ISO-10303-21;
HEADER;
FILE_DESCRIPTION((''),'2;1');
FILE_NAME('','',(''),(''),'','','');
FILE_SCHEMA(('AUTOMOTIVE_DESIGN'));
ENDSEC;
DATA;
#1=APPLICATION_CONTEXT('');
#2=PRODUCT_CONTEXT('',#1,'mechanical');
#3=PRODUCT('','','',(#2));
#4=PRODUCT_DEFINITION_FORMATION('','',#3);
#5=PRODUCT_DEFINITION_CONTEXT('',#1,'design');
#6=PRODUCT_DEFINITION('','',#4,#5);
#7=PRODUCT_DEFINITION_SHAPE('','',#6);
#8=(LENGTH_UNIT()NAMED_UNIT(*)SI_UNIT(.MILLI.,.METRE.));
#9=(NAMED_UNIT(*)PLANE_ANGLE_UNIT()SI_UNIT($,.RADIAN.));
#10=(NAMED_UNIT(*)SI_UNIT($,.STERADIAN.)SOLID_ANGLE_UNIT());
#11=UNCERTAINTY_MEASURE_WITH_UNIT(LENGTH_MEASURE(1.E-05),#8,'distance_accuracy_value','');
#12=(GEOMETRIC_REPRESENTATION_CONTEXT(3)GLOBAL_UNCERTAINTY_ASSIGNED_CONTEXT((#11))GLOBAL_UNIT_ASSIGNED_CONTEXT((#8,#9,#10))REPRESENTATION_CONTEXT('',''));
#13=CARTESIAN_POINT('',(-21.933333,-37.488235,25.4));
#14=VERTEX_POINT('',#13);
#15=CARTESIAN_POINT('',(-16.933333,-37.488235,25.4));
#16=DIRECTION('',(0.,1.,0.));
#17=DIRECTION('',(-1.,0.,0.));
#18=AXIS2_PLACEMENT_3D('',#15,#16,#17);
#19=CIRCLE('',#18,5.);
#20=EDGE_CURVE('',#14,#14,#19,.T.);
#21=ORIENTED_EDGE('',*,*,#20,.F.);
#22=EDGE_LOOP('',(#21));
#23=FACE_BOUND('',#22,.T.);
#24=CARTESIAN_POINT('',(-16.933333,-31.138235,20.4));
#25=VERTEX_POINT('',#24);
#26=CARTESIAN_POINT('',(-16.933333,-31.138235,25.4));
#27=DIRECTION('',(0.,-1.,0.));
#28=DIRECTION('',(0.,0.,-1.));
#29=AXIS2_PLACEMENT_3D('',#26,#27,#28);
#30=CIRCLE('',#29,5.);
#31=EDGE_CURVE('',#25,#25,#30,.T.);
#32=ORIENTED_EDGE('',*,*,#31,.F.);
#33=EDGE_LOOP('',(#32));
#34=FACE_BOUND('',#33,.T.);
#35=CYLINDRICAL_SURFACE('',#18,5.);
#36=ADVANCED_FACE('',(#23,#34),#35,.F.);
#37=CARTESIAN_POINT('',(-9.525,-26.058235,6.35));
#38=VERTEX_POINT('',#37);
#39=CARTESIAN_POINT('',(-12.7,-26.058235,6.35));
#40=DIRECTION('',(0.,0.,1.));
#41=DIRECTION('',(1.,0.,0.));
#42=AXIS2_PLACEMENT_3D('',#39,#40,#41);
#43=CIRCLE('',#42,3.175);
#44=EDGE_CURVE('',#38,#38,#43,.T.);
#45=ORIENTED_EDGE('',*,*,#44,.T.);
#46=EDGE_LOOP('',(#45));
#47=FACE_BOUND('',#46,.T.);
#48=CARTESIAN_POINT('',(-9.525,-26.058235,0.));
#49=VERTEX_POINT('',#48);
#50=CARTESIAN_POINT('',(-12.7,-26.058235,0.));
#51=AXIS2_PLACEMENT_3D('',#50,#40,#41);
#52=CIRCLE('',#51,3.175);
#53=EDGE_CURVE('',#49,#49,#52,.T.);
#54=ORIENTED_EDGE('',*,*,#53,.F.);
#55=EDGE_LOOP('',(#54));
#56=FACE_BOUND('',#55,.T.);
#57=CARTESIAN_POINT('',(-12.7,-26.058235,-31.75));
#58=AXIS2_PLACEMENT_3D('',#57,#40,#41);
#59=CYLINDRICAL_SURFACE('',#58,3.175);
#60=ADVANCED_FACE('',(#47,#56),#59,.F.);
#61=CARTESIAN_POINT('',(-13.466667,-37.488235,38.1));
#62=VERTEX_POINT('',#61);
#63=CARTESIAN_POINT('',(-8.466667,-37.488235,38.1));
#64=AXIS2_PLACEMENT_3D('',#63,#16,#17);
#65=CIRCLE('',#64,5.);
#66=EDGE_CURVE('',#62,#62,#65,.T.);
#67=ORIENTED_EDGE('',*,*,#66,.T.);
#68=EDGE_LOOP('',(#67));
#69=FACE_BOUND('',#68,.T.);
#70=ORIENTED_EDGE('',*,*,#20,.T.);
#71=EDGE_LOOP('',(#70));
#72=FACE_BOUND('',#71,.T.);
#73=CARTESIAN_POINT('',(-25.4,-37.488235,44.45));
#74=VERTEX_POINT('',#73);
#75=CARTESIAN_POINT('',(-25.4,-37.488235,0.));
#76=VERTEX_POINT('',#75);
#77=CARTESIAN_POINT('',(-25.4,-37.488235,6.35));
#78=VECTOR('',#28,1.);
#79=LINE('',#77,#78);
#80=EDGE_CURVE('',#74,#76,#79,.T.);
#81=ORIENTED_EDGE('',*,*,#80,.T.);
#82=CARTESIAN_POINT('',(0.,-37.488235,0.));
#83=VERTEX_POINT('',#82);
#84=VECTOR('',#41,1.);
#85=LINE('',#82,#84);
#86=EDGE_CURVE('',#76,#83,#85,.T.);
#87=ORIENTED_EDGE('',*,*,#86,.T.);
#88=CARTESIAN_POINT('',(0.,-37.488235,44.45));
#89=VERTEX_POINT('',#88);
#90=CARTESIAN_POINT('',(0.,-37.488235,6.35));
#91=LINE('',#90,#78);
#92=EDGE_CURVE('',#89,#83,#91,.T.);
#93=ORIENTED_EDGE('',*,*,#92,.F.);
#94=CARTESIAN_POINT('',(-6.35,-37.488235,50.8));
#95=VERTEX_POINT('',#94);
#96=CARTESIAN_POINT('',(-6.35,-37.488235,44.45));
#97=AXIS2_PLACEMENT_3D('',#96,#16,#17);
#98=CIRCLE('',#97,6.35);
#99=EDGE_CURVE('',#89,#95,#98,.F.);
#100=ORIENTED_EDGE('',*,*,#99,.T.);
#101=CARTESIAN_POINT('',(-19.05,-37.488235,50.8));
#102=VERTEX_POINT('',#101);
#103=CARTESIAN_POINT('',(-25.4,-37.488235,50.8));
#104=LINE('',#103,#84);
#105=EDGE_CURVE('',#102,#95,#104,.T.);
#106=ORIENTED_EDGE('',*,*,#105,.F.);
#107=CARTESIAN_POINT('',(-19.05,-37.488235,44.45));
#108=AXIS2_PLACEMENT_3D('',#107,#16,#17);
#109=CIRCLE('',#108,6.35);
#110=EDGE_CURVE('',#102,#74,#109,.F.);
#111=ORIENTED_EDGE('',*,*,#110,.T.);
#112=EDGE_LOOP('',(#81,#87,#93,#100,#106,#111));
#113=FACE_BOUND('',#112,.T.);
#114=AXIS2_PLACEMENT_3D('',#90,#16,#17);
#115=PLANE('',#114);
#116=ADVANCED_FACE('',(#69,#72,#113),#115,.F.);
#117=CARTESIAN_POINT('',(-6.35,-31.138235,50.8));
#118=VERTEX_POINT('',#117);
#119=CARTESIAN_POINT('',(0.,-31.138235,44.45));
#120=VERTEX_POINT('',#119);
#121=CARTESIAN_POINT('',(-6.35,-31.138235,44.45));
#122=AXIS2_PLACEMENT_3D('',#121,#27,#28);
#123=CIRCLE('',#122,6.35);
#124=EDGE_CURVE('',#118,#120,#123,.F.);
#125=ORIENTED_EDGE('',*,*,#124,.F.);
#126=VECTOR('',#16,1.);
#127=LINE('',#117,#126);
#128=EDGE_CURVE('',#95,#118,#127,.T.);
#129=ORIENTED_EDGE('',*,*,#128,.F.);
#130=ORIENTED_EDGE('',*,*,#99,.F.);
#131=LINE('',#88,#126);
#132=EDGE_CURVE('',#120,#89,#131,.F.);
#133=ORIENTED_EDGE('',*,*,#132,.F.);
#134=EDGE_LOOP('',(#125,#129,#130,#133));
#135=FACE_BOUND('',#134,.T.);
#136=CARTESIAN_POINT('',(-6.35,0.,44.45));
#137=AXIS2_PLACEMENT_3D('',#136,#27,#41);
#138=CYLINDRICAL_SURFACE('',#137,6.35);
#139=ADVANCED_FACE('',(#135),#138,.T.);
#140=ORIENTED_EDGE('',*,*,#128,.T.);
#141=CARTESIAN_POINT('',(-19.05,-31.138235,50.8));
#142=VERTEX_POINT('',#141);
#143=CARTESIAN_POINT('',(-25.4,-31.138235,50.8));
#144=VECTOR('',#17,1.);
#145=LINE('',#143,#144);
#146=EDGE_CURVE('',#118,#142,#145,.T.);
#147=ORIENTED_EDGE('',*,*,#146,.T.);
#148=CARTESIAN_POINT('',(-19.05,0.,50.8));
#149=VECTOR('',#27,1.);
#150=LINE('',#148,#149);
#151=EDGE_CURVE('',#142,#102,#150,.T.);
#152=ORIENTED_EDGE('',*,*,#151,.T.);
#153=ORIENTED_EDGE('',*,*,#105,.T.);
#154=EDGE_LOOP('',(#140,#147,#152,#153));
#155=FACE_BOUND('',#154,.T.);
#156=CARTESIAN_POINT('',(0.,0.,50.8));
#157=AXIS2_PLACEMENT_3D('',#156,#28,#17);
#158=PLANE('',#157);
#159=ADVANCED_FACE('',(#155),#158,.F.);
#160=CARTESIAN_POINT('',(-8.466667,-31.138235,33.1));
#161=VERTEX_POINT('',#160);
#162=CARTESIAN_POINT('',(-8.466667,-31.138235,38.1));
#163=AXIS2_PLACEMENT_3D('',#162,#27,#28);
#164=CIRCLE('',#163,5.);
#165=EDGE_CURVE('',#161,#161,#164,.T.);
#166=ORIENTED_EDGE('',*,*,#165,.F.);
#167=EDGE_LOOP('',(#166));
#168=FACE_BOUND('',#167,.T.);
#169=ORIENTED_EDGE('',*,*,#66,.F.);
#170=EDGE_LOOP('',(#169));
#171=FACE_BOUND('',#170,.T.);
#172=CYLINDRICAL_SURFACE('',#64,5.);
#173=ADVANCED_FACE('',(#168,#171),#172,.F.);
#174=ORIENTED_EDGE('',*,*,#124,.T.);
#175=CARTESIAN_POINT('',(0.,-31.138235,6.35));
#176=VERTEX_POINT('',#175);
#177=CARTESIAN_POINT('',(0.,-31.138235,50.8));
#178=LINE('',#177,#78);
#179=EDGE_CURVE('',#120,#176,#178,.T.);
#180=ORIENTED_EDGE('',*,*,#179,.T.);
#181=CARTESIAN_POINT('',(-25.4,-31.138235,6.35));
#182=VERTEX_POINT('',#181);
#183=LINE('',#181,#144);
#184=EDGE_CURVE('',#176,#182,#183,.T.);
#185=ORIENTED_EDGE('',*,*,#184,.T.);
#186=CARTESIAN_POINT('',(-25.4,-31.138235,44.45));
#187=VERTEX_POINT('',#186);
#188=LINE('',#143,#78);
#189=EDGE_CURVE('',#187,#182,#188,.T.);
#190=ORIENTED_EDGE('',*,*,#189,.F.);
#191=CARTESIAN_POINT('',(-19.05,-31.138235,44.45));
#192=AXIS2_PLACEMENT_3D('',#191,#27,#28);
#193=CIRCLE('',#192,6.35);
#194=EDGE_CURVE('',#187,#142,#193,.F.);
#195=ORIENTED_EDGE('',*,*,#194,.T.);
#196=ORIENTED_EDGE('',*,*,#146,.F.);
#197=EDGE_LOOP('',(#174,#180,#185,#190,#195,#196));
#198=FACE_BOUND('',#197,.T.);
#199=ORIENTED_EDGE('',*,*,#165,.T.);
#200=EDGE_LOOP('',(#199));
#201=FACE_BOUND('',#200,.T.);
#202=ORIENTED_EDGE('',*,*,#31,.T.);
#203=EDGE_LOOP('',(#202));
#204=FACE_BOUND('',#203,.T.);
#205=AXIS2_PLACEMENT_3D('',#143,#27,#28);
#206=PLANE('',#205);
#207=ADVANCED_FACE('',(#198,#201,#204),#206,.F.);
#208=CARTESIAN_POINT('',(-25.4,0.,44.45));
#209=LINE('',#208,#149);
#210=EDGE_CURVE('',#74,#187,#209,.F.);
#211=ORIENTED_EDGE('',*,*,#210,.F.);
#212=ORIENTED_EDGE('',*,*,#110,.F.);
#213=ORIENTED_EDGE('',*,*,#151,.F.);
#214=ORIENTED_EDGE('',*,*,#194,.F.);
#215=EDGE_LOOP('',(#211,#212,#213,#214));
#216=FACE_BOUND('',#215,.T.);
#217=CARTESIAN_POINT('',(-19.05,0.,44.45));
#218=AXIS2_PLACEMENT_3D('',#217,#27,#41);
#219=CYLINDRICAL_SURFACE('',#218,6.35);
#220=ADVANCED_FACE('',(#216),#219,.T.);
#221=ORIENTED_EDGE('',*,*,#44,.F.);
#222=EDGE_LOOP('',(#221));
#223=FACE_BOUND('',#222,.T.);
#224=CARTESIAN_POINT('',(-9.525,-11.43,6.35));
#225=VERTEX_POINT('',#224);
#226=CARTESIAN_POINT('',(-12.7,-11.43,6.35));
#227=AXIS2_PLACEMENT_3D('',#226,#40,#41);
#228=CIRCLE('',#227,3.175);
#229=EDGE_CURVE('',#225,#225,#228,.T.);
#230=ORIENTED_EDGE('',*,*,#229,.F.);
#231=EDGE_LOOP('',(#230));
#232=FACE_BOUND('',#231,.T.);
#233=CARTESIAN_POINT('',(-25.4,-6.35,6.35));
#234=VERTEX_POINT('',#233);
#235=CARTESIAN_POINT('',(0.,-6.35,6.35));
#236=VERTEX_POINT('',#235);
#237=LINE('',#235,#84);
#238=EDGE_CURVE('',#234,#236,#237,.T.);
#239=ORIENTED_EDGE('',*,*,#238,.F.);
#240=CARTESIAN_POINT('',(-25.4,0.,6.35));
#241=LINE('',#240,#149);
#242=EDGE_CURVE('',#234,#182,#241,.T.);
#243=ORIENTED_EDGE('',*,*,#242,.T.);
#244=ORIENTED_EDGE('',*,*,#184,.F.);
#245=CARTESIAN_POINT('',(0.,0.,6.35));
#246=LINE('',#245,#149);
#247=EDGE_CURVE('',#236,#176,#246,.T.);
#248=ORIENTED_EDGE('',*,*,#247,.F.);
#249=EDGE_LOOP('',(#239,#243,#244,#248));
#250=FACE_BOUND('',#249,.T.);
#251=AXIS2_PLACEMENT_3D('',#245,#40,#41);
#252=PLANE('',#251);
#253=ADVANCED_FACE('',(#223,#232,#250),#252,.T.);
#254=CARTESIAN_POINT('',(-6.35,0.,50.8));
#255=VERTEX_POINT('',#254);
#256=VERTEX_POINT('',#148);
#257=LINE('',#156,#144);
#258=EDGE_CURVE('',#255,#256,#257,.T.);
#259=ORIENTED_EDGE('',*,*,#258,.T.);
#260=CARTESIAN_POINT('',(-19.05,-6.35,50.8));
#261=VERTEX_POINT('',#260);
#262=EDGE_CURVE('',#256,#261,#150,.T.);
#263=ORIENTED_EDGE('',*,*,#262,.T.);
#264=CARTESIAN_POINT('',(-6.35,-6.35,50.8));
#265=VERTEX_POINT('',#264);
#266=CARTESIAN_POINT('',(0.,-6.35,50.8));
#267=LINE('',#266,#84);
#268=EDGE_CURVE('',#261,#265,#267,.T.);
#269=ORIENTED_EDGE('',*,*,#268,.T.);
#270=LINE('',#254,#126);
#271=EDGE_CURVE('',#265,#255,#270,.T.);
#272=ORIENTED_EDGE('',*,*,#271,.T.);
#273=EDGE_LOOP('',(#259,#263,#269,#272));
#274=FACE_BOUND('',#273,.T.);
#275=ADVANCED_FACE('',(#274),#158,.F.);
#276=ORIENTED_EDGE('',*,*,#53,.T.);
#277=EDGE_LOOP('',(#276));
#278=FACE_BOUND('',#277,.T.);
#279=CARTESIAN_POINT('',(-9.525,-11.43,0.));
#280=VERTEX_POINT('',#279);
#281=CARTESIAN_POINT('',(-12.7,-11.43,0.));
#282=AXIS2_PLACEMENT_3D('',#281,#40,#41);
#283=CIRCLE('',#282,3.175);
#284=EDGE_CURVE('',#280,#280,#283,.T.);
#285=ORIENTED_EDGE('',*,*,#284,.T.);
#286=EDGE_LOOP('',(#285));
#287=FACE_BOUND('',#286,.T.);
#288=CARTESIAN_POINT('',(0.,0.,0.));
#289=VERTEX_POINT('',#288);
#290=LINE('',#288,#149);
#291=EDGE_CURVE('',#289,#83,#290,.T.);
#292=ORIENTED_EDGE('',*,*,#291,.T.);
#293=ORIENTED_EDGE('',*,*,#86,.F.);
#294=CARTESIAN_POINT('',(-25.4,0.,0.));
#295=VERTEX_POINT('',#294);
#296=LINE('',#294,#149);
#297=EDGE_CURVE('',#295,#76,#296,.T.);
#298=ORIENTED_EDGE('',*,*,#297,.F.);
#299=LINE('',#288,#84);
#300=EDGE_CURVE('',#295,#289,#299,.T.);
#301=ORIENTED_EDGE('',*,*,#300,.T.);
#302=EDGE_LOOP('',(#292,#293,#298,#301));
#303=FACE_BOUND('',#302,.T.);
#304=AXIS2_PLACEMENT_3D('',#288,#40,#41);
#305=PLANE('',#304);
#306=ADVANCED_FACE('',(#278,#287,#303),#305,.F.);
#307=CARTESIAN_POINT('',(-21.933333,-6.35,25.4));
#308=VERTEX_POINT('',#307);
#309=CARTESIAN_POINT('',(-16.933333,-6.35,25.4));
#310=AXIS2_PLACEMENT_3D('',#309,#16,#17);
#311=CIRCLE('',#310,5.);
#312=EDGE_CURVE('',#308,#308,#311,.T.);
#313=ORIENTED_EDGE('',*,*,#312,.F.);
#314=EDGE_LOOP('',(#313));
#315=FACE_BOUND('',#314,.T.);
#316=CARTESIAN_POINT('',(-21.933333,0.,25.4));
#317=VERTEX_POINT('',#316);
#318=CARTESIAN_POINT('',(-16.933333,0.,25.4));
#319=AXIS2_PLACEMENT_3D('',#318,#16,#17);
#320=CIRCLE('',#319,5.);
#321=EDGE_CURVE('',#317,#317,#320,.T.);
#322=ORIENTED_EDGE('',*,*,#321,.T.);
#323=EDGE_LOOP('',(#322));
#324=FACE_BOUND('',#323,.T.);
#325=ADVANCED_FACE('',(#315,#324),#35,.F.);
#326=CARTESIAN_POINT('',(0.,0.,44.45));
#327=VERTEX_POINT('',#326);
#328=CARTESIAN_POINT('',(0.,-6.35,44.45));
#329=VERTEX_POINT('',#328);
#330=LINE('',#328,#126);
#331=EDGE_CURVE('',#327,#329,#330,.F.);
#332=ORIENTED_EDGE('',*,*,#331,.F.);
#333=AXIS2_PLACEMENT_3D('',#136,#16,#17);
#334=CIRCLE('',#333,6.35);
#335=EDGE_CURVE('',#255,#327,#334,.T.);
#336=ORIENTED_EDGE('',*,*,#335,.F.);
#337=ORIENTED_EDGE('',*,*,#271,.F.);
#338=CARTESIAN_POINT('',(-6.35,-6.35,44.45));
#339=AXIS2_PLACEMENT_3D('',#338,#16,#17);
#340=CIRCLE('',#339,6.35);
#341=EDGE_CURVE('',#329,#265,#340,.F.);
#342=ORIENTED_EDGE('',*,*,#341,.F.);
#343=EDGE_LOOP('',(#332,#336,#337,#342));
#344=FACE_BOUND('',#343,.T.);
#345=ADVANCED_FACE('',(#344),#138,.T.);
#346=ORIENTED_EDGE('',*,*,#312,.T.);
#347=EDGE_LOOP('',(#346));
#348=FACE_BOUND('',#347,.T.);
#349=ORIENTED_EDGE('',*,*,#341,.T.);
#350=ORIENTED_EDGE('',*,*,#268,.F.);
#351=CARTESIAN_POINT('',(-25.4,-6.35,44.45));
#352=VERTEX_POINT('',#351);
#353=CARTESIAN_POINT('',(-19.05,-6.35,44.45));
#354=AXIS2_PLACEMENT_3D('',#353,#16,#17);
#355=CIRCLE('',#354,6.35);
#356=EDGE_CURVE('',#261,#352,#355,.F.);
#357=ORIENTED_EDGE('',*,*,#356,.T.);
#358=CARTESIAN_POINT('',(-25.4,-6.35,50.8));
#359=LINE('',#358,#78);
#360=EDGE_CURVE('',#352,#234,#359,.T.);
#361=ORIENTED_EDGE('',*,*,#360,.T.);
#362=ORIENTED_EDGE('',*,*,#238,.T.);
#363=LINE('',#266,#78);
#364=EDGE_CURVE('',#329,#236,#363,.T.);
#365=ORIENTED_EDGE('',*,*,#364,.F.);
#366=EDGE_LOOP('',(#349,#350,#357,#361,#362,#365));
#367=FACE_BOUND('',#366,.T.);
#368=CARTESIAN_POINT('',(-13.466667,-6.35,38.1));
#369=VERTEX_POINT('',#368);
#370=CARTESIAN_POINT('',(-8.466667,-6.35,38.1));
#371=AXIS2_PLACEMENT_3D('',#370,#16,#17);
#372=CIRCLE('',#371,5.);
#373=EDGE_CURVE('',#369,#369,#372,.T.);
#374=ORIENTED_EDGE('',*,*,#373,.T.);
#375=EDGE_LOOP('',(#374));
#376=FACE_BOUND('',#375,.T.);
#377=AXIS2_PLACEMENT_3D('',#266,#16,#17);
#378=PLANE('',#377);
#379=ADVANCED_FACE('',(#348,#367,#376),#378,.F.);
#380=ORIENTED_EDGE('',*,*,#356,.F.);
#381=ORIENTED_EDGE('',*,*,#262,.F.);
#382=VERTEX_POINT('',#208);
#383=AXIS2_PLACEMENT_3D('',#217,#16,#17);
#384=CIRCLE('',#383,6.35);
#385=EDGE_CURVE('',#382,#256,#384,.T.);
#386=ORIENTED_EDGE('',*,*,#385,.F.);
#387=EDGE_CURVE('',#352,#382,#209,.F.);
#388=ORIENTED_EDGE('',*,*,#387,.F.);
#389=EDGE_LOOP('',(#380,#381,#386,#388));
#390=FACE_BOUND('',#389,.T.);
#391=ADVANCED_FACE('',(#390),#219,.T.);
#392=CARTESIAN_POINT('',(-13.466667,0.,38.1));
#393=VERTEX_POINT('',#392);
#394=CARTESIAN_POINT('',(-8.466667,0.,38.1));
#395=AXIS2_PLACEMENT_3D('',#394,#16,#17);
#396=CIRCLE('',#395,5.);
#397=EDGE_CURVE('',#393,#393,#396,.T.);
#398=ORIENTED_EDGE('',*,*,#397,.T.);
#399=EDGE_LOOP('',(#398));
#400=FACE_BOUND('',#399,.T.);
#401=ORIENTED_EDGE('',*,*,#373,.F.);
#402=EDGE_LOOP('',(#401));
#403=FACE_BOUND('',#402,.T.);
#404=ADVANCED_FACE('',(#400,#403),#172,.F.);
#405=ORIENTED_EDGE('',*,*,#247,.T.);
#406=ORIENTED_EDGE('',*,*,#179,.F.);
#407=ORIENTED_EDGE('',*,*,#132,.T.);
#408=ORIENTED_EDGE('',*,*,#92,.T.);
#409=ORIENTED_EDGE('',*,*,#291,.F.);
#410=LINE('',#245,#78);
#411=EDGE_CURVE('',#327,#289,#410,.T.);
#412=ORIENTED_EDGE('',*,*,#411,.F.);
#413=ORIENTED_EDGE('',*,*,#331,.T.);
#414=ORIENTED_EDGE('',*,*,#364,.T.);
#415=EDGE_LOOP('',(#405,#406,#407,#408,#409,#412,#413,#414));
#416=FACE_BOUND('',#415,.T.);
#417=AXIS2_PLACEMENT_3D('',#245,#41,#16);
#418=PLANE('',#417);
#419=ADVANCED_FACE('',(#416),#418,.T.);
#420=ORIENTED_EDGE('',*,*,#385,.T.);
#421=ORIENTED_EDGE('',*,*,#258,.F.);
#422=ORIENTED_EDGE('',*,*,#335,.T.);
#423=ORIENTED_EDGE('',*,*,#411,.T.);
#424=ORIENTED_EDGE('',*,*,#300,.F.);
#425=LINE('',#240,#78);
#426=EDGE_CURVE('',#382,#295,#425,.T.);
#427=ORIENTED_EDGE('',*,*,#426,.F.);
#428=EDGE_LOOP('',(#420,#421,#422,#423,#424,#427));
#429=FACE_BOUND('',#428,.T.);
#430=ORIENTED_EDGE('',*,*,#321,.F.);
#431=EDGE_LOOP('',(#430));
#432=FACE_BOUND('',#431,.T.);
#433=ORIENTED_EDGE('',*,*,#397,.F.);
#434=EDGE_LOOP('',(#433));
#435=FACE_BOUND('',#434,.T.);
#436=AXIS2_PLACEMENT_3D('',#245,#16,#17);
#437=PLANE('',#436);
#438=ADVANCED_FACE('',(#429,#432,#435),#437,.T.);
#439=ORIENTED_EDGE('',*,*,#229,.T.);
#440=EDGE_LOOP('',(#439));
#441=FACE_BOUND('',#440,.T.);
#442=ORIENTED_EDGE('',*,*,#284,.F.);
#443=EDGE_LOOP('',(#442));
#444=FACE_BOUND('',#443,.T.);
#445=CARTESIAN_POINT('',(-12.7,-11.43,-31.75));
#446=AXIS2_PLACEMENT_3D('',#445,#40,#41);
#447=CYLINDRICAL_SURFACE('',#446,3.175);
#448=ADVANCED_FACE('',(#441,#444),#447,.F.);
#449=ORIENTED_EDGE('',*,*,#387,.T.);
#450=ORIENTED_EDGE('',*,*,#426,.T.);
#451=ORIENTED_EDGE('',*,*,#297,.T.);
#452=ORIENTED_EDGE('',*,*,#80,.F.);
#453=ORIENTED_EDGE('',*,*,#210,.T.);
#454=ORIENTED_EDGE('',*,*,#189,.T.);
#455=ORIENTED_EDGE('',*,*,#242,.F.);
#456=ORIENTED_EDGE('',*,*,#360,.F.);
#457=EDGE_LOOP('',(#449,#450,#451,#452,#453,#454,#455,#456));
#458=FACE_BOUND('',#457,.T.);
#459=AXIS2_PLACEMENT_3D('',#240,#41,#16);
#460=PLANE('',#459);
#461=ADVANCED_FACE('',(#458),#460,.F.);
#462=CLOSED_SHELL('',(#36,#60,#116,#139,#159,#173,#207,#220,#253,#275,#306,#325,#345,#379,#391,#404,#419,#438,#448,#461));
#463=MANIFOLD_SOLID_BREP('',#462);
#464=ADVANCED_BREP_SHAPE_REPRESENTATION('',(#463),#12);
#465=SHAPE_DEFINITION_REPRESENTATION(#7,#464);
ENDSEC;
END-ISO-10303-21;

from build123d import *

# Parameters (mm, degrees)
SKETCH1_W           = 25.4
SKETCH1_H           = 6.35
SKETCH1_H_2         = 24.788235472
BOSS_EXTRUDE1_DEPTH = 6.35
SKETCH2_W           = 25.4
SKETCH2_H           = 6.35
BOSS_EXTRUDE2_DEPTH = 44.45
SKETCH3_R           = 3.175
CUT_EXTRUDE1_DEPTH  = 38.1
SKETCH6_R           = 5
CUT_EXTRUDE2_DEPTH  = 38.488235472
FILLET1_R           = 6.35


with BuildPart() as part:
    # Sketch1 → Boss-Extrude1 (new body)
    with BuildSketch(Plane.XY):
        with Locations((-12.7, -34.313235472)):
            Rectangle(SKETCH1_W, SKETCH1_H)
        with Locations((-12.7, -18.744117736)):
            Rectangle(SKETCH1_W, SKETCH1_H_2)
        with Locations((-12.7, -3.175)):
            Rectangle(SKETCH1_W, SKETCH1_H)
    extrude(amount=BOSS_EXTRUDE1_DEPTH)

    # Sketch2 → Boss-Extrude2 (add)
    with BuildSketch(Plane.XY.offset(6.35)):
        with Locations((-12.7, -3.175)):
            Rectangle(SKETCH2_W, SKETCH2_H)
        with Locations((-12.7, -34.313235472)):
            Rectangle(SKETCH2_W, SKETCH2_H)
    extrude(amount=BOSS_EXTRUDE2_DEPTH)

    # Sketch3 → Cut-Extrude1 (cut)
    with BuildSketch(Plane.XY.offset(6.35)):
        with Locations((-12.7, -26.058235472)):
            Circle(SKETCH3_R)
        with Locations((-12.7, -11.43)):
            Circle(SKETCH3_R)
    extrude(amount=-CUT_EXTRUDE1_DEPTH, mode=Mode.SUBTRACT)

    # Sketch6 → Cut-Extrude2 (cut, through all)
    with BuildSketch(Plane(origin=(0, 0, 0), x_dir=(1, 0, 0), z_dir=(0, 1, 0))):
        with Locations((-16.933333333, -25.4)):
            Circle(SKETCH6_R)
        with Locations((-8.466666667, -38.1)):
            Circle(SKETCH6_R)
    extrude(amount=-CUT_EXTRUDE2_DEPTH, mode=Mode.SUBTRACT)

    # Fillet1
    fillet1_edges = [part.edges().sort_by_distance(p)[0] for p in [
        (0, -3.175, 50.8),
        (-25.4, -3.175, 50.8),
        (-25.4, -34.313235472, 50.8),
        (0, -34.313235472, 50.8),
    ]]
    fillet(fillet1_edges, radius=FILLET1_R)


solid = part.part
